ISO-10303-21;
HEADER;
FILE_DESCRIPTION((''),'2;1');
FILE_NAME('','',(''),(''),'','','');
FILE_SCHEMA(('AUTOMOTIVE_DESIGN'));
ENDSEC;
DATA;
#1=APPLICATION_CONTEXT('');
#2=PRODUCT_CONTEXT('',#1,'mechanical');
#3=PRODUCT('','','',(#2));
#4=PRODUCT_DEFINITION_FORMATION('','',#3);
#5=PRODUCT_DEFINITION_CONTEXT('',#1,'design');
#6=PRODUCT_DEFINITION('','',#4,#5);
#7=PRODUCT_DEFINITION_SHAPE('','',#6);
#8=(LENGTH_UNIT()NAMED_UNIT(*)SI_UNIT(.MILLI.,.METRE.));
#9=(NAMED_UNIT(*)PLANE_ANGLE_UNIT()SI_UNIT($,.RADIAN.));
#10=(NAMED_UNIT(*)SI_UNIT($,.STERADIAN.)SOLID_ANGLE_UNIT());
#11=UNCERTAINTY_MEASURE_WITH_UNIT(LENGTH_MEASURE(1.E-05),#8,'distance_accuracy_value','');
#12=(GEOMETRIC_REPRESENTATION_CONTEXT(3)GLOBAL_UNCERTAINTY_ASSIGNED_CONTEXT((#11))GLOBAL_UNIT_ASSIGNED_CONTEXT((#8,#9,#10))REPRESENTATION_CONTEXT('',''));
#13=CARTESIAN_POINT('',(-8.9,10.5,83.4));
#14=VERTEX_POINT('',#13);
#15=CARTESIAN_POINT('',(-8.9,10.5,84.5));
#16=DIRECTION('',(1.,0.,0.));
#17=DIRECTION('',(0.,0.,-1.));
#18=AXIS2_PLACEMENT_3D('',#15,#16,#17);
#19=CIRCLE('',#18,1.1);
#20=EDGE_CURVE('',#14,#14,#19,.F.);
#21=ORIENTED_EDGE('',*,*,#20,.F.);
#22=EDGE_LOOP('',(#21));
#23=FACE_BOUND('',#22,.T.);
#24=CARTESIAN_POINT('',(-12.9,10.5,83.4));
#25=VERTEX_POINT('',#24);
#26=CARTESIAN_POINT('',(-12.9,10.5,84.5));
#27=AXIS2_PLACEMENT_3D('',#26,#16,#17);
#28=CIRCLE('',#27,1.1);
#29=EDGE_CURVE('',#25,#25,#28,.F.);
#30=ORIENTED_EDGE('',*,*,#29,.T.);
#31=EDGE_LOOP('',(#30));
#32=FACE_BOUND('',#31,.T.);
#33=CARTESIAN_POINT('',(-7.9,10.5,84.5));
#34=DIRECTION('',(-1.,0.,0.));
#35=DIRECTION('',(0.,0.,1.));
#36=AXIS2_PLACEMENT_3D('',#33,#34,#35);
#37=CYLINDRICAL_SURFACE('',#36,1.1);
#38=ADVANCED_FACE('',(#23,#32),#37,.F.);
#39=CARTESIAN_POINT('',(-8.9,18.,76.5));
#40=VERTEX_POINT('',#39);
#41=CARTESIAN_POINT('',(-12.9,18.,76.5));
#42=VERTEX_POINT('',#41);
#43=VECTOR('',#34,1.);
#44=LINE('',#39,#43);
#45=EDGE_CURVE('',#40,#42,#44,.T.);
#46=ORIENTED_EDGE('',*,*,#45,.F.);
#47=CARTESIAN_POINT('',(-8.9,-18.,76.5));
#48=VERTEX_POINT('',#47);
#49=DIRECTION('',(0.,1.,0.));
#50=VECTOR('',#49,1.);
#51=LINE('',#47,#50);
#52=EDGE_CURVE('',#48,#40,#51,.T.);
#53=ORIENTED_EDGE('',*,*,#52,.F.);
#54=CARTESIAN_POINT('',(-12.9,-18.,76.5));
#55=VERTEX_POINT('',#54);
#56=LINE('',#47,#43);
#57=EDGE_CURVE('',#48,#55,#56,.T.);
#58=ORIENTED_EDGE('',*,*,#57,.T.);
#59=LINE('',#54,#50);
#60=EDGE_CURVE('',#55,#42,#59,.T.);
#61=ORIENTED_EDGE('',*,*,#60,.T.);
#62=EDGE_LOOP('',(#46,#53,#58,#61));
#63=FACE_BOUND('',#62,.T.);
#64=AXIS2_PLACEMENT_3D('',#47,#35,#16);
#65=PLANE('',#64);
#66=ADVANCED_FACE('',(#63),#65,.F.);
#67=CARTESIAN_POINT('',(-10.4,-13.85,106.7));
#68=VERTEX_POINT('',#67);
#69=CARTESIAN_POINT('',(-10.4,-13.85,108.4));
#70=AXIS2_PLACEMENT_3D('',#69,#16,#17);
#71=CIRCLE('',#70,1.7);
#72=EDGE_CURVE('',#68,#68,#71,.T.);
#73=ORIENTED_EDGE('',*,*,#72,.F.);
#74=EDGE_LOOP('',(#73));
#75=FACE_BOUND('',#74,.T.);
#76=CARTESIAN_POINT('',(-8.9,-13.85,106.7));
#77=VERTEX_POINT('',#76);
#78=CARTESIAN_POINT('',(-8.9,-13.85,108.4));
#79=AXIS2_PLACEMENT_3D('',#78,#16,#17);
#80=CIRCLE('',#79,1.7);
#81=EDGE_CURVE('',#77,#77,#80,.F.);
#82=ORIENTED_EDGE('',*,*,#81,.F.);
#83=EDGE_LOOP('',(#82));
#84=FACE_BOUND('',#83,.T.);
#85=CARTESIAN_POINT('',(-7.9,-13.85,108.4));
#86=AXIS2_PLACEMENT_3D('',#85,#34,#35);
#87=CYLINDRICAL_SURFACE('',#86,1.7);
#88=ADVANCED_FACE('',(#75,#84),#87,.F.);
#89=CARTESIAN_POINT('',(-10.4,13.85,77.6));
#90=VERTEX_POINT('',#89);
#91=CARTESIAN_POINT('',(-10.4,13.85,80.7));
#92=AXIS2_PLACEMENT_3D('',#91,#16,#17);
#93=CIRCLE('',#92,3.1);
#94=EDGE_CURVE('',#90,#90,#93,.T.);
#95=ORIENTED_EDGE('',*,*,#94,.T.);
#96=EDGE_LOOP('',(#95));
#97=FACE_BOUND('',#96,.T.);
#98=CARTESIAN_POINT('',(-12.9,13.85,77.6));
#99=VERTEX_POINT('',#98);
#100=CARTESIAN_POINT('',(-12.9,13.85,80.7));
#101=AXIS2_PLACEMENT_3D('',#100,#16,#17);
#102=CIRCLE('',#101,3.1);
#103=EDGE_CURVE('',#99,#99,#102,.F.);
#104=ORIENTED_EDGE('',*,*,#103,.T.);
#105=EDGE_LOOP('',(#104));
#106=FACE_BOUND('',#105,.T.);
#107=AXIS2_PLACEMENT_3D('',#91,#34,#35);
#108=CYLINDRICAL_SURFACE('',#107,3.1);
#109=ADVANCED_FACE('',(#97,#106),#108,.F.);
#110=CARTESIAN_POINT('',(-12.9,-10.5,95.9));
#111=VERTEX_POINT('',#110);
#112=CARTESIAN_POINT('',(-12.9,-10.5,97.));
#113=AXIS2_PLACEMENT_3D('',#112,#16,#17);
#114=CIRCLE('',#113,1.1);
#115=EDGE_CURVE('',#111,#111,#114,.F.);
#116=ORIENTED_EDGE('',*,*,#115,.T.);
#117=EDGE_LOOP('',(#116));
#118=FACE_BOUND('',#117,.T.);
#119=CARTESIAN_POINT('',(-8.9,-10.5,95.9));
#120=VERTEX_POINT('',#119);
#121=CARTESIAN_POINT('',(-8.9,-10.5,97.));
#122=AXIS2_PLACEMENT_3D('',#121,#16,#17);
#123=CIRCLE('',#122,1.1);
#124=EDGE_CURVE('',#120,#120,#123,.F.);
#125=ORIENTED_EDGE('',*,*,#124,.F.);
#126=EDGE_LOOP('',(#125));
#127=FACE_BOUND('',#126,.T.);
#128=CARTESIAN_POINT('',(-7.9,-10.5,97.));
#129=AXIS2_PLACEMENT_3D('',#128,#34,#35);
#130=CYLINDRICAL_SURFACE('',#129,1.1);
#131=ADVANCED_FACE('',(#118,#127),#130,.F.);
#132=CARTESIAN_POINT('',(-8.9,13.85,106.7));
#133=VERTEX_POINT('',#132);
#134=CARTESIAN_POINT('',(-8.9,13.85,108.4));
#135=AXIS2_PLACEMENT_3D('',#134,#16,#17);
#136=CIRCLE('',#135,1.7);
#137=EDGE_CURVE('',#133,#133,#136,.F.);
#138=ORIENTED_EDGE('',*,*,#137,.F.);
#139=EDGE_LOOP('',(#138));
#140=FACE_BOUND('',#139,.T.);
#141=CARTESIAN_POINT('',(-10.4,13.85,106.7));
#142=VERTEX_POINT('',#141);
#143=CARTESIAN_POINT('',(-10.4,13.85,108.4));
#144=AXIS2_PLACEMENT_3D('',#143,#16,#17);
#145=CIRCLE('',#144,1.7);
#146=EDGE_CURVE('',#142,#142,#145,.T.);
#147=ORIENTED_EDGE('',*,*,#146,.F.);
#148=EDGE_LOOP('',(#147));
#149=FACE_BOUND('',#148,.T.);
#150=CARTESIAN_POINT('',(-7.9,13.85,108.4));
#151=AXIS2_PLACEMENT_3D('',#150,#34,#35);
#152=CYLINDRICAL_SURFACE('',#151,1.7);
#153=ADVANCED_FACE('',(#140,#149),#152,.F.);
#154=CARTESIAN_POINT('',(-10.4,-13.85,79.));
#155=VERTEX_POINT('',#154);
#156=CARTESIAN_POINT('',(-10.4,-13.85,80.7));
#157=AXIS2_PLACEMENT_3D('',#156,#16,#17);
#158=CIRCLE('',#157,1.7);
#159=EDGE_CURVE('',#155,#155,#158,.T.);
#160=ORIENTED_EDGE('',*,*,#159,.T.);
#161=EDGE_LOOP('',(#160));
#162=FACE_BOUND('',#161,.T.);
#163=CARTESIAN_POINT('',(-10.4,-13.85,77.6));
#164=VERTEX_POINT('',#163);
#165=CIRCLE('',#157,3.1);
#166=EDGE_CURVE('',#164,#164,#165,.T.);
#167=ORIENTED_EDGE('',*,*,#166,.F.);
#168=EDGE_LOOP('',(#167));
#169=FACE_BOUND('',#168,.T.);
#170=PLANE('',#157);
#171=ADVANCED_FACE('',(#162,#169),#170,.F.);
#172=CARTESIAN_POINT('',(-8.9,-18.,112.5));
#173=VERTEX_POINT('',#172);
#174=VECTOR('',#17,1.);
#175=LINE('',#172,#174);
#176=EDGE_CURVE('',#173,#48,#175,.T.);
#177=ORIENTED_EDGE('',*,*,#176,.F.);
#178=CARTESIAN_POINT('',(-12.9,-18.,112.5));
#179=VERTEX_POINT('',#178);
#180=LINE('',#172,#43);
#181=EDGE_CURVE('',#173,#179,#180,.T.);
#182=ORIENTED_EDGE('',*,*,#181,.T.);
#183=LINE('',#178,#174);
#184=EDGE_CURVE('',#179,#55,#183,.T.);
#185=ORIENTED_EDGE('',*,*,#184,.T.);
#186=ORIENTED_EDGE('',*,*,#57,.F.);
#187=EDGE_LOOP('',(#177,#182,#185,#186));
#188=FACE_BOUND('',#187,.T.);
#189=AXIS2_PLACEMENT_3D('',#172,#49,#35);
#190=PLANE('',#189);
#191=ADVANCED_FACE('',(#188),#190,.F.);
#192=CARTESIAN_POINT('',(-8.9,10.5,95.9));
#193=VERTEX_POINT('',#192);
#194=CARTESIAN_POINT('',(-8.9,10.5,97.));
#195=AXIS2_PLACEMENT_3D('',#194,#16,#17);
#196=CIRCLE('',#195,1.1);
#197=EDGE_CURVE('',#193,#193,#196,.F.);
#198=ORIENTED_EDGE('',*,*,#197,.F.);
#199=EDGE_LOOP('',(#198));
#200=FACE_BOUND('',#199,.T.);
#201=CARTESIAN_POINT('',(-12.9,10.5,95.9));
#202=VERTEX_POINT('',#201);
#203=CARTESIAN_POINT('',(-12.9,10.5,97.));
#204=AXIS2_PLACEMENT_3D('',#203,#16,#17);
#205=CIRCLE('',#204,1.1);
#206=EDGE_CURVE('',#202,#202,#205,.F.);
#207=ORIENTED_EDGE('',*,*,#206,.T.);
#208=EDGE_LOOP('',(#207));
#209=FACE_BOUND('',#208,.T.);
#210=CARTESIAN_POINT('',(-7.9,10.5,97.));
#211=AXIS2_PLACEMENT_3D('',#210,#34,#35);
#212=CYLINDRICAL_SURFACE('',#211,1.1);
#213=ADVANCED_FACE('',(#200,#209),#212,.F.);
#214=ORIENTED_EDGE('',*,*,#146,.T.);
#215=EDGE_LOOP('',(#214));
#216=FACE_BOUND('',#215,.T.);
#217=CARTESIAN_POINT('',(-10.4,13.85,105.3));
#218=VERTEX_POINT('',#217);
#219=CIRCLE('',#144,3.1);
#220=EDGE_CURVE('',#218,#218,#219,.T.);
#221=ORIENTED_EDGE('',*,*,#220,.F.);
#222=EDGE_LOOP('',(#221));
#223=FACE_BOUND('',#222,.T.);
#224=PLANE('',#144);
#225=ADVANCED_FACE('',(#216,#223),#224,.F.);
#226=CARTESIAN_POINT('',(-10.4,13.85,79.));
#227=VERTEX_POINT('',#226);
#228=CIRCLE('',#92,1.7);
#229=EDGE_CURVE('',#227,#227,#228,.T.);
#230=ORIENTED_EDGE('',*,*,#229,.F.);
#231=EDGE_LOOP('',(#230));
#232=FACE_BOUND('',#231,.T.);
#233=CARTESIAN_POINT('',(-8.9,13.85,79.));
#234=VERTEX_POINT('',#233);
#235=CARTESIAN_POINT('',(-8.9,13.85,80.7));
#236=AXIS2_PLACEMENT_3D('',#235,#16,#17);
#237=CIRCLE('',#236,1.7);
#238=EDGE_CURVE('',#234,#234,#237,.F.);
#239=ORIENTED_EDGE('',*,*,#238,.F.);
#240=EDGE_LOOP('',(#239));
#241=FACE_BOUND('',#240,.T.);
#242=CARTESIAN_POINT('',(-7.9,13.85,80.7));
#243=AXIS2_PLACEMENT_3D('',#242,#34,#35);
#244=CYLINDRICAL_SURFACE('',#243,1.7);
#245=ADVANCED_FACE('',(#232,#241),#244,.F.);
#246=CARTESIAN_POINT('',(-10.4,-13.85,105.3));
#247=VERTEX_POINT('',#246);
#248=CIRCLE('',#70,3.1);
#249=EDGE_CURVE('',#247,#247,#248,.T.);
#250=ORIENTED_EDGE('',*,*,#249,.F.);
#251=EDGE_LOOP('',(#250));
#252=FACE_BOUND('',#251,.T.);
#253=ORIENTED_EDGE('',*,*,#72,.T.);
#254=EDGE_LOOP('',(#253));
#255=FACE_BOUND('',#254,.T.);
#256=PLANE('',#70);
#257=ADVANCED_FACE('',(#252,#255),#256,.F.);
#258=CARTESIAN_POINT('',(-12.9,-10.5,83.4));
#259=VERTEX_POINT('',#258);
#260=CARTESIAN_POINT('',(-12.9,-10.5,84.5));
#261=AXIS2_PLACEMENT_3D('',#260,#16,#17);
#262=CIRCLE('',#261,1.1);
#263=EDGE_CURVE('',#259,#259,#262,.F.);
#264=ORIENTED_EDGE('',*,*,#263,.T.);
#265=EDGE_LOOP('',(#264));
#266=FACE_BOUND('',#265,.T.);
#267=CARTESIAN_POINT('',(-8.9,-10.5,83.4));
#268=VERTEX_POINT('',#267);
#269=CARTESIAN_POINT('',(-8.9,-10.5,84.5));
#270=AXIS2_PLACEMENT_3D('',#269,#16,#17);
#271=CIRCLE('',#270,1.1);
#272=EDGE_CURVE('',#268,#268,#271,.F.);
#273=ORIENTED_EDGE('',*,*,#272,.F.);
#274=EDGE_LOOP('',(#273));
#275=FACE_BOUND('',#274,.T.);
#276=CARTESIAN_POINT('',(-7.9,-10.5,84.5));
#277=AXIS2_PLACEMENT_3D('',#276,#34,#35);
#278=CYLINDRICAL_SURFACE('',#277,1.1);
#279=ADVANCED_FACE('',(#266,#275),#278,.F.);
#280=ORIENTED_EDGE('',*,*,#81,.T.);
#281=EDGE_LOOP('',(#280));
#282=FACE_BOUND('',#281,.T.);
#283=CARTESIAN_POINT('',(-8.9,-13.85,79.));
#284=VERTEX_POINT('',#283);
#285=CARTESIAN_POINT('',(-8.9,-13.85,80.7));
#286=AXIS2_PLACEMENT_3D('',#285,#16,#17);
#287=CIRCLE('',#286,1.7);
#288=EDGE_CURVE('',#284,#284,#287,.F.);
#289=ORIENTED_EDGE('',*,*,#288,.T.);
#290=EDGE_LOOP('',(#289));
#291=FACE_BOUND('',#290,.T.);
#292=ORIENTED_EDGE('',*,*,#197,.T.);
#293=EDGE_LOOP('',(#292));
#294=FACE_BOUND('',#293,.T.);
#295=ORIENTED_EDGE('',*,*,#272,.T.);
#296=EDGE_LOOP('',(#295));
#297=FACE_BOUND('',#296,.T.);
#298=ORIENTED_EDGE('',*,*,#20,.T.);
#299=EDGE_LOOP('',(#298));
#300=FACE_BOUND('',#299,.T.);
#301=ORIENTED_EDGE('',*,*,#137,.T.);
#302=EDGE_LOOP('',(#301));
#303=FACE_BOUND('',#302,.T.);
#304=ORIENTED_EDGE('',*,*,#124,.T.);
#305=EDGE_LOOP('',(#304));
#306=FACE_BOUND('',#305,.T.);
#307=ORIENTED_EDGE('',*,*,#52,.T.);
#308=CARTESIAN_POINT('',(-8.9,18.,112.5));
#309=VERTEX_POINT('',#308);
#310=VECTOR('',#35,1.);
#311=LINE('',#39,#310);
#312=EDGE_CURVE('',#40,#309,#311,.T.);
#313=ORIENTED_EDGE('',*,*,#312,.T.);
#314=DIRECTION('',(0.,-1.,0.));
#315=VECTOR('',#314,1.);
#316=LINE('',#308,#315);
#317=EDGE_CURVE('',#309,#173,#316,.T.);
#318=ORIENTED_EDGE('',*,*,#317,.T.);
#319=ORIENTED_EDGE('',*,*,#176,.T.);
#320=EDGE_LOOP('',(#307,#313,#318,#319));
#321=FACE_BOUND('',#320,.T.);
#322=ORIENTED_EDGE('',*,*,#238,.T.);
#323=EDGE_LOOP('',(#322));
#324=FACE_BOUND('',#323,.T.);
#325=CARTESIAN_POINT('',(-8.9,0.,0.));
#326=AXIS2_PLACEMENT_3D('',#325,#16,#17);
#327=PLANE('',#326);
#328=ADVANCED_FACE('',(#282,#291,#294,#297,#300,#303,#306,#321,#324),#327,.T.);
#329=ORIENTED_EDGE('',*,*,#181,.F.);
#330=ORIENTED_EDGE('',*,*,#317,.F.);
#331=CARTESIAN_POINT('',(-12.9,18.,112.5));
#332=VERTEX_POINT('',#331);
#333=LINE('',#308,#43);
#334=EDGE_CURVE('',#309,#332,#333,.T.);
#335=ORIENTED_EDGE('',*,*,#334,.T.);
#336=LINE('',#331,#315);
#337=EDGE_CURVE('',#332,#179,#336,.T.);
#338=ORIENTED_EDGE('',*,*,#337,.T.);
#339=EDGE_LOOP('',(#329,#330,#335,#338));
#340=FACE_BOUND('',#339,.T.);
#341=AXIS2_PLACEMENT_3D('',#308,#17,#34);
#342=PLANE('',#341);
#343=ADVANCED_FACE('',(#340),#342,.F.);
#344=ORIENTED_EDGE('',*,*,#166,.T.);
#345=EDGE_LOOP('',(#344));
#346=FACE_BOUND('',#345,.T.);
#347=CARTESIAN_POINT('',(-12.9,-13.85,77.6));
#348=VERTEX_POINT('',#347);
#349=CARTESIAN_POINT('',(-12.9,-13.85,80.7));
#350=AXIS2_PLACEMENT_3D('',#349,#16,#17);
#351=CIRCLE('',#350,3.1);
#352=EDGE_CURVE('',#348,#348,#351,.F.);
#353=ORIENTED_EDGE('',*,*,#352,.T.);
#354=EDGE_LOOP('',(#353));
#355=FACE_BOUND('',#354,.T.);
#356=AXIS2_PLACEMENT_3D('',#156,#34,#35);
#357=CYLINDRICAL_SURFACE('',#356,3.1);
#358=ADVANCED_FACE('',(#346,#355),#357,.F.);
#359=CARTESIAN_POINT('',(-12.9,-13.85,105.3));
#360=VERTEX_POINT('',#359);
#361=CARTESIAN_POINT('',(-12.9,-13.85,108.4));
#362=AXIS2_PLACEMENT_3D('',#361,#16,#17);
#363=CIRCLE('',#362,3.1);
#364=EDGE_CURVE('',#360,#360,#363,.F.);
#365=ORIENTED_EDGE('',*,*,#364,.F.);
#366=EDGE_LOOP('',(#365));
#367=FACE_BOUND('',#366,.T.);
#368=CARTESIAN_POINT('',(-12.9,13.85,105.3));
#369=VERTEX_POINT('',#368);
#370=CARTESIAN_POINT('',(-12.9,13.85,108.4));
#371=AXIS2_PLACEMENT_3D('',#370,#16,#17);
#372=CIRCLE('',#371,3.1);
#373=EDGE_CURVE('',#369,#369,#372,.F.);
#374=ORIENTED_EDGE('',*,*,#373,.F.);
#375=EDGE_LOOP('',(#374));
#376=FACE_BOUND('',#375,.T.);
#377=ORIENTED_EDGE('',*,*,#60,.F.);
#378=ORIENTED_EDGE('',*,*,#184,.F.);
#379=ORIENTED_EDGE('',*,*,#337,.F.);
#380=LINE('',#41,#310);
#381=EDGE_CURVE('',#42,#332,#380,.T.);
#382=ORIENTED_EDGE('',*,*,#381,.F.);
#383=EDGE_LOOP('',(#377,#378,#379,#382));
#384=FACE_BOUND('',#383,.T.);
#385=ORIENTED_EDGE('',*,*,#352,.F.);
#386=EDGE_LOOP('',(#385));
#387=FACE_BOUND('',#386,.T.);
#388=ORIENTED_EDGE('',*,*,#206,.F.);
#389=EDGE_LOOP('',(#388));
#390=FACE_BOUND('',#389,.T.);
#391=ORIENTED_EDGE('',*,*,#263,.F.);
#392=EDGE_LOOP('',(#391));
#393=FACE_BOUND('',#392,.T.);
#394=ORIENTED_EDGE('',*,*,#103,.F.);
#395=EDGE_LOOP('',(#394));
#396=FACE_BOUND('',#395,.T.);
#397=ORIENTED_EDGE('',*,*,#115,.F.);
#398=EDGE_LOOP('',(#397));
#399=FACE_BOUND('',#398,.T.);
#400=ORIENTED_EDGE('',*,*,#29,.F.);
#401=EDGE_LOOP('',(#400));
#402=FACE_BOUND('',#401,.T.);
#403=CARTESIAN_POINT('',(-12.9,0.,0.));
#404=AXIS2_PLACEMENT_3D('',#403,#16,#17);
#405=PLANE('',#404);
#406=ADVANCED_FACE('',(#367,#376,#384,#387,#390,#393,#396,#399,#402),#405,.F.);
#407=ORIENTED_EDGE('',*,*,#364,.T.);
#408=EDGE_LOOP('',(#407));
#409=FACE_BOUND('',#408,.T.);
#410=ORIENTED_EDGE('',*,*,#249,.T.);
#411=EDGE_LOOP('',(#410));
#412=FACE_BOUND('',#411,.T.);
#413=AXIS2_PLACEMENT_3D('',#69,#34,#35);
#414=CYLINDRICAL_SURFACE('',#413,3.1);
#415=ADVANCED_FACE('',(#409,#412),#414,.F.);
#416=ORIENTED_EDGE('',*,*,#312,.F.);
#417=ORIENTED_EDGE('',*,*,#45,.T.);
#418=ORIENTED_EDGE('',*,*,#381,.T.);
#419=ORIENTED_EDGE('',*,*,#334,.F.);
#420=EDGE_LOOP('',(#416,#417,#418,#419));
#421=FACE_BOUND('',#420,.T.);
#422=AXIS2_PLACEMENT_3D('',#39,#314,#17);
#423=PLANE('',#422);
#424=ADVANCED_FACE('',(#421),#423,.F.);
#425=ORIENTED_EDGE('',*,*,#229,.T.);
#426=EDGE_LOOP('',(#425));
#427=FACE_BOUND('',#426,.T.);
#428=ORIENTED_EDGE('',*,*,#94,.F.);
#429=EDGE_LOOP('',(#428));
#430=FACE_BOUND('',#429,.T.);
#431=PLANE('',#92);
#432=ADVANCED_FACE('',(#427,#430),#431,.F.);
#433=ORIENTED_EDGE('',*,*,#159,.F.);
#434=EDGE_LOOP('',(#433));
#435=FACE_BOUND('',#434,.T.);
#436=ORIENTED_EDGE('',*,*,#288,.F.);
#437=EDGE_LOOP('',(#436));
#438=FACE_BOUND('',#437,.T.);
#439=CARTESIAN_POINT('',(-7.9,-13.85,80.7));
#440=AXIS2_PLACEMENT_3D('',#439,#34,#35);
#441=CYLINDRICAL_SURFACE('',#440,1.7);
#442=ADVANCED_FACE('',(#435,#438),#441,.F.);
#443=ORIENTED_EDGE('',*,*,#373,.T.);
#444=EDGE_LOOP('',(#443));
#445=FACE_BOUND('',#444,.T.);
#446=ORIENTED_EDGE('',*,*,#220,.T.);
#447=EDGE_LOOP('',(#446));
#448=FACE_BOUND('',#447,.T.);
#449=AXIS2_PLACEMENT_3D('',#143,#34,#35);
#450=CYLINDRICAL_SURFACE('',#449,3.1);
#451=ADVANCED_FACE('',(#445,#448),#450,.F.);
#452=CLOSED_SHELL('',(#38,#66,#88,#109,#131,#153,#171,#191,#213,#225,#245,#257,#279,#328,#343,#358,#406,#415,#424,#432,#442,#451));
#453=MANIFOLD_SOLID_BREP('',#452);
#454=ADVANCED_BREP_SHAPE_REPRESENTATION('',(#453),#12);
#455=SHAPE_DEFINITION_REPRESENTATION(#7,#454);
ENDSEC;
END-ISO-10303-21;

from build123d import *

# Parameters (mm, degrees)
CROQUIS1_W              = 36
CROQUIS1_H              = 36
SALIENTE_EXTRUIR1_DEPTH = 4
CROQUIS2_R              = 1.7
CORTAR_EXTRUIR1_DEPTH   = 6
CROQUIS3_R              = 3.1
CORTAR_EXTRUIR2_DEPTH   = 3.5
CROQUIS4_R              = 1.1
CORTAR_EXTRUIR3_DEPTH   = 6


with BuildPart() as part:
    # Croquis1 → Saliente-Extruir1 (new body)
    with BuildSketch(Plane(origin=(-12.9, 0, 0), x_dir=(0, 0, -1), z_dir=(1, 0, 0))):
        with Locations((-94.5, 0)):
            Rectangle(CROQUIS1_W, CROQUIS1_H)
    extrude(amount=SALIENTE_EXTRUIR1_DEPTH)

    # Croquis2 → Cortar-Extruir1 (cut)
    with BuildSketch(Plane(origin=(-13.9, 0, 0), x_dir=(0, 0, -1), z_dir=(1, 0, 0))):
        with Locations((-80.7, -13.85)):
            Circle(CROQUIS2_R)
        with Locations((-108.4, -13.85)):
            Circle(CROQUIS2_R)
        with Locations((-80.7, 13.85)):
            Circle(CROQUIS2_R)
        with Locations((-108.4, 13.85)):
            Circle(CROQUIS2_R)
    extrude(amount=CORTAR_EXTRUIR1_DEPTH, mode=Mode.SUBTRACT)

    # Croquis3 → Cortar-Extruir2 (cut)
    with BuildSketch(Plane(origin=(-13.9, 0, 0), x_dir=(0, 0, -1), z_dir=(1, 0, 0))):
        with Locations((-80.7, -13.85)):
            Circle(CROQUIS3_R)
        with Locations((-108.4, -13.85)):
            Circle(CROQUIS3_R)
        with Locations((-80.7, 13.85)):
            Circle(CROQUIS3_R)
        with Locations((-108.4, 13.85)):
            Circle(CROQUIS3_R)
    extrude(amount=CORTAR_EXTRUIR2_DEPTH, mode=Mode.SUBTRACT)

    # Croquis4 → Cortar-Extruir3 (cut)
    with BuildSketch(Plane(origin=(-13.9, 0, 0), x_dir=(0, 0, -1), z_dir=(1, 0, 0))):
        with Locations((-97, -10.5)):
            Circle(CROQUIS4_R)
        with Locations((-84.5, -10.5)):
            Circle(CROQUIS4_R)
        with Locations((-97, 10.5)):
            Circle(CROQUIS4_R)
        with Locations((-84.5, 10.5)):
            Circle(CROQUIS4_R)
    extrude(amount=CORTAR_EXTRUIR3_DEPTH, mode=Mode.SUBTRACT)


solid = part.part
